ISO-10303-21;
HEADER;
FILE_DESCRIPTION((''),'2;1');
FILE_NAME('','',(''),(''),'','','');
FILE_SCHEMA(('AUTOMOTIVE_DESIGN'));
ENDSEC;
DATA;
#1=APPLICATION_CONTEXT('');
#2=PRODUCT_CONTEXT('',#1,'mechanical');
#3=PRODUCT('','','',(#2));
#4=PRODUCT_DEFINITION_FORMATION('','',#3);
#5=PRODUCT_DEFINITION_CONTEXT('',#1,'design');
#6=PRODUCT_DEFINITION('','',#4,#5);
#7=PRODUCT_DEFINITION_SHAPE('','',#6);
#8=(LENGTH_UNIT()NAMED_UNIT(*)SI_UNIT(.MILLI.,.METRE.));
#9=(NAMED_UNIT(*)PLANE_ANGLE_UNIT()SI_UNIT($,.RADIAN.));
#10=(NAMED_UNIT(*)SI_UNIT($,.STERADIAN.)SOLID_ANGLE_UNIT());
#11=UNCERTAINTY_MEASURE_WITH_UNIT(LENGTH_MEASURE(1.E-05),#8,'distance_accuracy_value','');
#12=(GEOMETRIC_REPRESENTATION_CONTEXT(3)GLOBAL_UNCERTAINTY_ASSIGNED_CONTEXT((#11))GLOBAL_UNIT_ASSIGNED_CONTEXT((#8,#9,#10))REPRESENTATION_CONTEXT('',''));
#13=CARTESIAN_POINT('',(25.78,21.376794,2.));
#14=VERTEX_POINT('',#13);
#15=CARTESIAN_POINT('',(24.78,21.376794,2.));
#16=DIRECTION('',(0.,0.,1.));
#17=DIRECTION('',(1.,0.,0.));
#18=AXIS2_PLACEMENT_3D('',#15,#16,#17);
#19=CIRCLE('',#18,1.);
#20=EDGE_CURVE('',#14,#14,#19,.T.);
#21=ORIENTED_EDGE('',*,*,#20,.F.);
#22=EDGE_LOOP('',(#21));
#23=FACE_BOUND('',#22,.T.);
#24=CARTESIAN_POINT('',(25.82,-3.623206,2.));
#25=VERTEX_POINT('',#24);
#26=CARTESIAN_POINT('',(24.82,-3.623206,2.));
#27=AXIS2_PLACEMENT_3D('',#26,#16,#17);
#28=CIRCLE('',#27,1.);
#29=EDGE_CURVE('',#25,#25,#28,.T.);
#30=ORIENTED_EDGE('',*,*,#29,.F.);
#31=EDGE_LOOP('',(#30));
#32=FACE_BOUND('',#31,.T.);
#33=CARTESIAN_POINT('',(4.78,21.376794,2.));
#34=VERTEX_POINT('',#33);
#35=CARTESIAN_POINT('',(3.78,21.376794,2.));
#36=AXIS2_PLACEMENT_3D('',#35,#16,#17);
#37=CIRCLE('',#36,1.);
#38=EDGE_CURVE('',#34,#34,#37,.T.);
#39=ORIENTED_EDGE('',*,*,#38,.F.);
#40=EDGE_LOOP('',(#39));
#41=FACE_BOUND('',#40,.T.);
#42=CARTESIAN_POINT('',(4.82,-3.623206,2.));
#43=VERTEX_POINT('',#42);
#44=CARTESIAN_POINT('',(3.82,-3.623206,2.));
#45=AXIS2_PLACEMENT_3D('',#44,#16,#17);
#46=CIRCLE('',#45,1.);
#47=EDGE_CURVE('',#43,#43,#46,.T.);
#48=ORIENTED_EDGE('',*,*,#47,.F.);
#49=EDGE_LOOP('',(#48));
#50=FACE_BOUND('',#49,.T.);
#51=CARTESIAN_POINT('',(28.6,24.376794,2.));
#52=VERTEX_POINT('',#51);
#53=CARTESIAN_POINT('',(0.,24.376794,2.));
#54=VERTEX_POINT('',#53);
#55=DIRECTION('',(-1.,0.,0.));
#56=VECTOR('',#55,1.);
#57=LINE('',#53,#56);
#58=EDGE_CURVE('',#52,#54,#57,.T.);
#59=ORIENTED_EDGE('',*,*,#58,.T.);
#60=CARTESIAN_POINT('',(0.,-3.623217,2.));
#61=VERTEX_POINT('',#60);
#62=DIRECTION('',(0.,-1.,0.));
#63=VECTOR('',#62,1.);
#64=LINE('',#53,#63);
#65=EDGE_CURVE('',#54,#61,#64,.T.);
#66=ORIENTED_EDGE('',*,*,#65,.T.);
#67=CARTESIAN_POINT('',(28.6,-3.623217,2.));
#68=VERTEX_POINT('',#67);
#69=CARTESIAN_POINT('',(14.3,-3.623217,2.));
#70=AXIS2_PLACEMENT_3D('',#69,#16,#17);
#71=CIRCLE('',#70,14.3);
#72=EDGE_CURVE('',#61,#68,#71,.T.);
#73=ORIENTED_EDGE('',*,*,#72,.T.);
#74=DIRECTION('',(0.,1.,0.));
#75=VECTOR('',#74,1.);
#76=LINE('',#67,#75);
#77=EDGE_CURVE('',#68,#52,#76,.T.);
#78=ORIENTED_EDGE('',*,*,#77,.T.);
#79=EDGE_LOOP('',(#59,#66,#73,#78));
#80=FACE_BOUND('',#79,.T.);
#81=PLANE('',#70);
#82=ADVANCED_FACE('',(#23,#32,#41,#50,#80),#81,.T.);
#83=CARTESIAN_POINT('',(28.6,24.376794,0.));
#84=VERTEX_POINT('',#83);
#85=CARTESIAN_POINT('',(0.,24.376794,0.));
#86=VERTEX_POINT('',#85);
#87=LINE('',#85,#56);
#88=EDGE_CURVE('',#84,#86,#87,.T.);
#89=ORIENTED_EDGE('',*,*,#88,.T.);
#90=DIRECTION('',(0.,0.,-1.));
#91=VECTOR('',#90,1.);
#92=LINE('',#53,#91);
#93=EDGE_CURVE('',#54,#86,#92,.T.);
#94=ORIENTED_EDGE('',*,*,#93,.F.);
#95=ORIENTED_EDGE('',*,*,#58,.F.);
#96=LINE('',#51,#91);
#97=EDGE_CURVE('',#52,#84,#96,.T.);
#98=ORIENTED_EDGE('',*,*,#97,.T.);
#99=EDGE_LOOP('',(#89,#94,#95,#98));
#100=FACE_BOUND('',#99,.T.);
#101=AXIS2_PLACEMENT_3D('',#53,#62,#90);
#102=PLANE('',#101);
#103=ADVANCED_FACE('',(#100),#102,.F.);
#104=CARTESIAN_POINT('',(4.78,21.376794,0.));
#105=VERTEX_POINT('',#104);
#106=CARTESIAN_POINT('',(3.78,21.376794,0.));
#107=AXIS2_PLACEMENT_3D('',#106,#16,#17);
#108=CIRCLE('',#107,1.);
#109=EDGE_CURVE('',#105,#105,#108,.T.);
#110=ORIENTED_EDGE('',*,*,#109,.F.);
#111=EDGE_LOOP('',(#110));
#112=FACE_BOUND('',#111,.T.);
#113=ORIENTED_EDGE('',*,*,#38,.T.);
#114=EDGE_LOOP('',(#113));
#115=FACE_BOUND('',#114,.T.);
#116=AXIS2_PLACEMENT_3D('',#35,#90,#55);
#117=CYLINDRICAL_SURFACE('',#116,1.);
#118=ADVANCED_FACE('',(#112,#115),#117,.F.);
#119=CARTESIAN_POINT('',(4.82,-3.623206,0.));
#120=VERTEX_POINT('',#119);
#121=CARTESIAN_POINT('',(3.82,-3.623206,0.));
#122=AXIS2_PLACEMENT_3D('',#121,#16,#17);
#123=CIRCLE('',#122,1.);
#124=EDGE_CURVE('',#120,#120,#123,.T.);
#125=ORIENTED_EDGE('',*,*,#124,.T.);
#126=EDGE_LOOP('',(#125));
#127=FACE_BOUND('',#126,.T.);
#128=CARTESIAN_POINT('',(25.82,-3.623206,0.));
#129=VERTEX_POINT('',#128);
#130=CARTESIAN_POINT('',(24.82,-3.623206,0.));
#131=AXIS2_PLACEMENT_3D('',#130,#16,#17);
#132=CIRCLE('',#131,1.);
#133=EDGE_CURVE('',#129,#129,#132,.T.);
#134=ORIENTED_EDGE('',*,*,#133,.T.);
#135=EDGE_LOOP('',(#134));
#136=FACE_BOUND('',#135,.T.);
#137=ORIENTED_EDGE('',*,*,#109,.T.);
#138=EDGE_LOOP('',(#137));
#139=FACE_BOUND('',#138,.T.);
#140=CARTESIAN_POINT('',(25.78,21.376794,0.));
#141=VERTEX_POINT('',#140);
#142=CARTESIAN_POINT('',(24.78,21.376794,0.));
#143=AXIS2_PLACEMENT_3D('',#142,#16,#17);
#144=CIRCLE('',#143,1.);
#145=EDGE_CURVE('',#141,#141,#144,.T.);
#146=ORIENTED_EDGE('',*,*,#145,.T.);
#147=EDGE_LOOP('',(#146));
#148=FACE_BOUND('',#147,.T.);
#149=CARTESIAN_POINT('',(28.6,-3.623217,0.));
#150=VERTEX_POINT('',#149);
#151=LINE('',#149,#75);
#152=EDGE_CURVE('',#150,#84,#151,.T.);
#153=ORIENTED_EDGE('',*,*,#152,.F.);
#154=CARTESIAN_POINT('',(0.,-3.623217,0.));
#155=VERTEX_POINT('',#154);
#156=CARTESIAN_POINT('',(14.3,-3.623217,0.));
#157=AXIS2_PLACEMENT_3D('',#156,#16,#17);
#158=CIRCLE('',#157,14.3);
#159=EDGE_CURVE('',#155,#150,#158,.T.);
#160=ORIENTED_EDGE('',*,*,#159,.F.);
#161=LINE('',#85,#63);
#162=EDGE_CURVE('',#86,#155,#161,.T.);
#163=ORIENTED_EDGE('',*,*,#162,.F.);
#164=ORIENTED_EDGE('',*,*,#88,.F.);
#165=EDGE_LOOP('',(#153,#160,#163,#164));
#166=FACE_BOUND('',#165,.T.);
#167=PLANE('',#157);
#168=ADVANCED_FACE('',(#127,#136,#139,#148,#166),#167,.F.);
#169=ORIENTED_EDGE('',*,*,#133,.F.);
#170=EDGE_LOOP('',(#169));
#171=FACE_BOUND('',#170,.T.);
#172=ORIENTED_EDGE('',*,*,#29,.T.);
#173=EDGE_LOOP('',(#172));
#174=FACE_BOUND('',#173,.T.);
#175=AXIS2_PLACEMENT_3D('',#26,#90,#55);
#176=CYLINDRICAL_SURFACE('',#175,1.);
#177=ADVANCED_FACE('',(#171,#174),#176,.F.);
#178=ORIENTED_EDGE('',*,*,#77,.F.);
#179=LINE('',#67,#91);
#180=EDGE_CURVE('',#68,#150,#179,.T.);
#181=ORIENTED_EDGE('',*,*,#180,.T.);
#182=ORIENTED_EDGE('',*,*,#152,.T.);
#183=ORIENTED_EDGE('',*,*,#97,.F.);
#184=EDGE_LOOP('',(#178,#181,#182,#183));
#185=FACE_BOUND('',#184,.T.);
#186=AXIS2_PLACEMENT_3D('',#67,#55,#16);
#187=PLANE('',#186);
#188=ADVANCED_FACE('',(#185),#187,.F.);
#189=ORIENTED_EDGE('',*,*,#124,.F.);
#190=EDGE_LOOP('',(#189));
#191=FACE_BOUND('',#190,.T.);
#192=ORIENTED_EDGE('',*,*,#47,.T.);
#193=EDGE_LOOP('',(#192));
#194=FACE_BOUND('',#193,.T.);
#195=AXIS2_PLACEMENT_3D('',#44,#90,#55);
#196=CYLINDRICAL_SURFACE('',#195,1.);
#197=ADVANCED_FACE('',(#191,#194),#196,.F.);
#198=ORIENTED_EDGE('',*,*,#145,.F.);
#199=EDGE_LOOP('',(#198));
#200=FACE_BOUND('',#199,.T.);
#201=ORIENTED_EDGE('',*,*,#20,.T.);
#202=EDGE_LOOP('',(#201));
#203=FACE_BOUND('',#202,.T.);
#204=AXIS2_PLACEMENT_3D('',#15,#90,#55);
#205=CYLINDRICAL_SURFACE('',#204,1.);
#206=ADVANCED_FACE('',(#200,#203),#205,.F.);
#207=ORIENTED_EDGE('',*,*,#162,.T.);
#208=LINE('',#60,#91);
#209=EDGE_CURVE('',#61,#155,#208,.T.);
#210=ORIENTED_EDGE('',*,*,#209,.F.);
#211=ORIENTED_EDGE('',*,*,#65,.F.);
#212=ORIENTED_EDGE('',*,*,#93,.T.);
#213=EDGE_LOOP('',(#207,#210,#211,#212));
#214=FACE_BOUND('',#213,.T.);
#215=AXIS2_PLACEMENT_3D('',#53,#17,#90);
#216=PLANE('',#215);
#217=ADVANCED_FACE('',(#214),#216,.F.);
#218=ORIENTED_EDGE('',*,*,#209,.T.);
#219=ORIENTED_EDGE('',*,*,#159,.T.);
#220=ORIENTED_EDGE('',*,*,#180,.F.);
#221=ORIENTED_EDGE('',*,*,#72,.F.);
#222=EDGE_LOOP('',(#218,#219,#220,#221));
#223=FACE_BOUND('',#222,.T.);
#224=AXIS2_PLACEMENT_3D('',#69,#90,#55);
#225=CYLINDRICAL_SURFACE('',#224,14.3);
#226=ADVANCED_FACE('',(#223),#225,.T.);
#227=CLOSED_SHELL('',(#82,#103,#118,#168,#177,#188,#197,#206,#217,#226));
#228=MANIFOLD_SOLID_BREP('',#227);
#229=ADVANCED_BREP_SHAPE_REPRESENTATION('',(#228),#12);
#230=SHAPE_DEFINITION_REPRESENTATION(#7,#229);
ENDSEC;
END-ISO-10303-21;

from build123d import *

# Parameters (mm, degrees)
SKETCH_1_R      = 1
EXTRUDE_1_DEPTH = 2


with BuildPart() as part:
    # 草图1 → 凸台-拉伸1 (new body)
    with BuildSketch(Plane.XY):
        with BuildLine():
            Line((0, 24.376794113), (28.6, 24.376794113))
            Line((28.6, 24.376794113), (28.6, -3.62321671))
            ThreePointArc((28.6, -3.62321671), (24.411626971, -13.734843681), (14.3, -17.92321671))
            ThreePointArc((14.3, -17.92321671), (4.188373029, -13.734843681), (0, -3.62321671))
            Line((0, -3.62321671), (0, 24.376794113))
        make_face()
        with Locations((24.78, 21.376794113)):
            Circle(SKETCH_1_R, mode=Mode.SUBTRACT)
        with Locations((3.78, 21.376794113)):
            Circle(SKETCH_1_R, mode=Mode.SUBTRACT)
        with Locations((3.82, -3.623205887)):
            Circle(SKETCH_1_R, mode=Mode.SUBTRACT)
        with Locations((24.82, -3.623205887)):
            Circle(SKETCH_1_R, mode=Mode.SUBTRACT)
    extrude(amount=EXTRUDE_1_DEPTH)


solid = part.part
